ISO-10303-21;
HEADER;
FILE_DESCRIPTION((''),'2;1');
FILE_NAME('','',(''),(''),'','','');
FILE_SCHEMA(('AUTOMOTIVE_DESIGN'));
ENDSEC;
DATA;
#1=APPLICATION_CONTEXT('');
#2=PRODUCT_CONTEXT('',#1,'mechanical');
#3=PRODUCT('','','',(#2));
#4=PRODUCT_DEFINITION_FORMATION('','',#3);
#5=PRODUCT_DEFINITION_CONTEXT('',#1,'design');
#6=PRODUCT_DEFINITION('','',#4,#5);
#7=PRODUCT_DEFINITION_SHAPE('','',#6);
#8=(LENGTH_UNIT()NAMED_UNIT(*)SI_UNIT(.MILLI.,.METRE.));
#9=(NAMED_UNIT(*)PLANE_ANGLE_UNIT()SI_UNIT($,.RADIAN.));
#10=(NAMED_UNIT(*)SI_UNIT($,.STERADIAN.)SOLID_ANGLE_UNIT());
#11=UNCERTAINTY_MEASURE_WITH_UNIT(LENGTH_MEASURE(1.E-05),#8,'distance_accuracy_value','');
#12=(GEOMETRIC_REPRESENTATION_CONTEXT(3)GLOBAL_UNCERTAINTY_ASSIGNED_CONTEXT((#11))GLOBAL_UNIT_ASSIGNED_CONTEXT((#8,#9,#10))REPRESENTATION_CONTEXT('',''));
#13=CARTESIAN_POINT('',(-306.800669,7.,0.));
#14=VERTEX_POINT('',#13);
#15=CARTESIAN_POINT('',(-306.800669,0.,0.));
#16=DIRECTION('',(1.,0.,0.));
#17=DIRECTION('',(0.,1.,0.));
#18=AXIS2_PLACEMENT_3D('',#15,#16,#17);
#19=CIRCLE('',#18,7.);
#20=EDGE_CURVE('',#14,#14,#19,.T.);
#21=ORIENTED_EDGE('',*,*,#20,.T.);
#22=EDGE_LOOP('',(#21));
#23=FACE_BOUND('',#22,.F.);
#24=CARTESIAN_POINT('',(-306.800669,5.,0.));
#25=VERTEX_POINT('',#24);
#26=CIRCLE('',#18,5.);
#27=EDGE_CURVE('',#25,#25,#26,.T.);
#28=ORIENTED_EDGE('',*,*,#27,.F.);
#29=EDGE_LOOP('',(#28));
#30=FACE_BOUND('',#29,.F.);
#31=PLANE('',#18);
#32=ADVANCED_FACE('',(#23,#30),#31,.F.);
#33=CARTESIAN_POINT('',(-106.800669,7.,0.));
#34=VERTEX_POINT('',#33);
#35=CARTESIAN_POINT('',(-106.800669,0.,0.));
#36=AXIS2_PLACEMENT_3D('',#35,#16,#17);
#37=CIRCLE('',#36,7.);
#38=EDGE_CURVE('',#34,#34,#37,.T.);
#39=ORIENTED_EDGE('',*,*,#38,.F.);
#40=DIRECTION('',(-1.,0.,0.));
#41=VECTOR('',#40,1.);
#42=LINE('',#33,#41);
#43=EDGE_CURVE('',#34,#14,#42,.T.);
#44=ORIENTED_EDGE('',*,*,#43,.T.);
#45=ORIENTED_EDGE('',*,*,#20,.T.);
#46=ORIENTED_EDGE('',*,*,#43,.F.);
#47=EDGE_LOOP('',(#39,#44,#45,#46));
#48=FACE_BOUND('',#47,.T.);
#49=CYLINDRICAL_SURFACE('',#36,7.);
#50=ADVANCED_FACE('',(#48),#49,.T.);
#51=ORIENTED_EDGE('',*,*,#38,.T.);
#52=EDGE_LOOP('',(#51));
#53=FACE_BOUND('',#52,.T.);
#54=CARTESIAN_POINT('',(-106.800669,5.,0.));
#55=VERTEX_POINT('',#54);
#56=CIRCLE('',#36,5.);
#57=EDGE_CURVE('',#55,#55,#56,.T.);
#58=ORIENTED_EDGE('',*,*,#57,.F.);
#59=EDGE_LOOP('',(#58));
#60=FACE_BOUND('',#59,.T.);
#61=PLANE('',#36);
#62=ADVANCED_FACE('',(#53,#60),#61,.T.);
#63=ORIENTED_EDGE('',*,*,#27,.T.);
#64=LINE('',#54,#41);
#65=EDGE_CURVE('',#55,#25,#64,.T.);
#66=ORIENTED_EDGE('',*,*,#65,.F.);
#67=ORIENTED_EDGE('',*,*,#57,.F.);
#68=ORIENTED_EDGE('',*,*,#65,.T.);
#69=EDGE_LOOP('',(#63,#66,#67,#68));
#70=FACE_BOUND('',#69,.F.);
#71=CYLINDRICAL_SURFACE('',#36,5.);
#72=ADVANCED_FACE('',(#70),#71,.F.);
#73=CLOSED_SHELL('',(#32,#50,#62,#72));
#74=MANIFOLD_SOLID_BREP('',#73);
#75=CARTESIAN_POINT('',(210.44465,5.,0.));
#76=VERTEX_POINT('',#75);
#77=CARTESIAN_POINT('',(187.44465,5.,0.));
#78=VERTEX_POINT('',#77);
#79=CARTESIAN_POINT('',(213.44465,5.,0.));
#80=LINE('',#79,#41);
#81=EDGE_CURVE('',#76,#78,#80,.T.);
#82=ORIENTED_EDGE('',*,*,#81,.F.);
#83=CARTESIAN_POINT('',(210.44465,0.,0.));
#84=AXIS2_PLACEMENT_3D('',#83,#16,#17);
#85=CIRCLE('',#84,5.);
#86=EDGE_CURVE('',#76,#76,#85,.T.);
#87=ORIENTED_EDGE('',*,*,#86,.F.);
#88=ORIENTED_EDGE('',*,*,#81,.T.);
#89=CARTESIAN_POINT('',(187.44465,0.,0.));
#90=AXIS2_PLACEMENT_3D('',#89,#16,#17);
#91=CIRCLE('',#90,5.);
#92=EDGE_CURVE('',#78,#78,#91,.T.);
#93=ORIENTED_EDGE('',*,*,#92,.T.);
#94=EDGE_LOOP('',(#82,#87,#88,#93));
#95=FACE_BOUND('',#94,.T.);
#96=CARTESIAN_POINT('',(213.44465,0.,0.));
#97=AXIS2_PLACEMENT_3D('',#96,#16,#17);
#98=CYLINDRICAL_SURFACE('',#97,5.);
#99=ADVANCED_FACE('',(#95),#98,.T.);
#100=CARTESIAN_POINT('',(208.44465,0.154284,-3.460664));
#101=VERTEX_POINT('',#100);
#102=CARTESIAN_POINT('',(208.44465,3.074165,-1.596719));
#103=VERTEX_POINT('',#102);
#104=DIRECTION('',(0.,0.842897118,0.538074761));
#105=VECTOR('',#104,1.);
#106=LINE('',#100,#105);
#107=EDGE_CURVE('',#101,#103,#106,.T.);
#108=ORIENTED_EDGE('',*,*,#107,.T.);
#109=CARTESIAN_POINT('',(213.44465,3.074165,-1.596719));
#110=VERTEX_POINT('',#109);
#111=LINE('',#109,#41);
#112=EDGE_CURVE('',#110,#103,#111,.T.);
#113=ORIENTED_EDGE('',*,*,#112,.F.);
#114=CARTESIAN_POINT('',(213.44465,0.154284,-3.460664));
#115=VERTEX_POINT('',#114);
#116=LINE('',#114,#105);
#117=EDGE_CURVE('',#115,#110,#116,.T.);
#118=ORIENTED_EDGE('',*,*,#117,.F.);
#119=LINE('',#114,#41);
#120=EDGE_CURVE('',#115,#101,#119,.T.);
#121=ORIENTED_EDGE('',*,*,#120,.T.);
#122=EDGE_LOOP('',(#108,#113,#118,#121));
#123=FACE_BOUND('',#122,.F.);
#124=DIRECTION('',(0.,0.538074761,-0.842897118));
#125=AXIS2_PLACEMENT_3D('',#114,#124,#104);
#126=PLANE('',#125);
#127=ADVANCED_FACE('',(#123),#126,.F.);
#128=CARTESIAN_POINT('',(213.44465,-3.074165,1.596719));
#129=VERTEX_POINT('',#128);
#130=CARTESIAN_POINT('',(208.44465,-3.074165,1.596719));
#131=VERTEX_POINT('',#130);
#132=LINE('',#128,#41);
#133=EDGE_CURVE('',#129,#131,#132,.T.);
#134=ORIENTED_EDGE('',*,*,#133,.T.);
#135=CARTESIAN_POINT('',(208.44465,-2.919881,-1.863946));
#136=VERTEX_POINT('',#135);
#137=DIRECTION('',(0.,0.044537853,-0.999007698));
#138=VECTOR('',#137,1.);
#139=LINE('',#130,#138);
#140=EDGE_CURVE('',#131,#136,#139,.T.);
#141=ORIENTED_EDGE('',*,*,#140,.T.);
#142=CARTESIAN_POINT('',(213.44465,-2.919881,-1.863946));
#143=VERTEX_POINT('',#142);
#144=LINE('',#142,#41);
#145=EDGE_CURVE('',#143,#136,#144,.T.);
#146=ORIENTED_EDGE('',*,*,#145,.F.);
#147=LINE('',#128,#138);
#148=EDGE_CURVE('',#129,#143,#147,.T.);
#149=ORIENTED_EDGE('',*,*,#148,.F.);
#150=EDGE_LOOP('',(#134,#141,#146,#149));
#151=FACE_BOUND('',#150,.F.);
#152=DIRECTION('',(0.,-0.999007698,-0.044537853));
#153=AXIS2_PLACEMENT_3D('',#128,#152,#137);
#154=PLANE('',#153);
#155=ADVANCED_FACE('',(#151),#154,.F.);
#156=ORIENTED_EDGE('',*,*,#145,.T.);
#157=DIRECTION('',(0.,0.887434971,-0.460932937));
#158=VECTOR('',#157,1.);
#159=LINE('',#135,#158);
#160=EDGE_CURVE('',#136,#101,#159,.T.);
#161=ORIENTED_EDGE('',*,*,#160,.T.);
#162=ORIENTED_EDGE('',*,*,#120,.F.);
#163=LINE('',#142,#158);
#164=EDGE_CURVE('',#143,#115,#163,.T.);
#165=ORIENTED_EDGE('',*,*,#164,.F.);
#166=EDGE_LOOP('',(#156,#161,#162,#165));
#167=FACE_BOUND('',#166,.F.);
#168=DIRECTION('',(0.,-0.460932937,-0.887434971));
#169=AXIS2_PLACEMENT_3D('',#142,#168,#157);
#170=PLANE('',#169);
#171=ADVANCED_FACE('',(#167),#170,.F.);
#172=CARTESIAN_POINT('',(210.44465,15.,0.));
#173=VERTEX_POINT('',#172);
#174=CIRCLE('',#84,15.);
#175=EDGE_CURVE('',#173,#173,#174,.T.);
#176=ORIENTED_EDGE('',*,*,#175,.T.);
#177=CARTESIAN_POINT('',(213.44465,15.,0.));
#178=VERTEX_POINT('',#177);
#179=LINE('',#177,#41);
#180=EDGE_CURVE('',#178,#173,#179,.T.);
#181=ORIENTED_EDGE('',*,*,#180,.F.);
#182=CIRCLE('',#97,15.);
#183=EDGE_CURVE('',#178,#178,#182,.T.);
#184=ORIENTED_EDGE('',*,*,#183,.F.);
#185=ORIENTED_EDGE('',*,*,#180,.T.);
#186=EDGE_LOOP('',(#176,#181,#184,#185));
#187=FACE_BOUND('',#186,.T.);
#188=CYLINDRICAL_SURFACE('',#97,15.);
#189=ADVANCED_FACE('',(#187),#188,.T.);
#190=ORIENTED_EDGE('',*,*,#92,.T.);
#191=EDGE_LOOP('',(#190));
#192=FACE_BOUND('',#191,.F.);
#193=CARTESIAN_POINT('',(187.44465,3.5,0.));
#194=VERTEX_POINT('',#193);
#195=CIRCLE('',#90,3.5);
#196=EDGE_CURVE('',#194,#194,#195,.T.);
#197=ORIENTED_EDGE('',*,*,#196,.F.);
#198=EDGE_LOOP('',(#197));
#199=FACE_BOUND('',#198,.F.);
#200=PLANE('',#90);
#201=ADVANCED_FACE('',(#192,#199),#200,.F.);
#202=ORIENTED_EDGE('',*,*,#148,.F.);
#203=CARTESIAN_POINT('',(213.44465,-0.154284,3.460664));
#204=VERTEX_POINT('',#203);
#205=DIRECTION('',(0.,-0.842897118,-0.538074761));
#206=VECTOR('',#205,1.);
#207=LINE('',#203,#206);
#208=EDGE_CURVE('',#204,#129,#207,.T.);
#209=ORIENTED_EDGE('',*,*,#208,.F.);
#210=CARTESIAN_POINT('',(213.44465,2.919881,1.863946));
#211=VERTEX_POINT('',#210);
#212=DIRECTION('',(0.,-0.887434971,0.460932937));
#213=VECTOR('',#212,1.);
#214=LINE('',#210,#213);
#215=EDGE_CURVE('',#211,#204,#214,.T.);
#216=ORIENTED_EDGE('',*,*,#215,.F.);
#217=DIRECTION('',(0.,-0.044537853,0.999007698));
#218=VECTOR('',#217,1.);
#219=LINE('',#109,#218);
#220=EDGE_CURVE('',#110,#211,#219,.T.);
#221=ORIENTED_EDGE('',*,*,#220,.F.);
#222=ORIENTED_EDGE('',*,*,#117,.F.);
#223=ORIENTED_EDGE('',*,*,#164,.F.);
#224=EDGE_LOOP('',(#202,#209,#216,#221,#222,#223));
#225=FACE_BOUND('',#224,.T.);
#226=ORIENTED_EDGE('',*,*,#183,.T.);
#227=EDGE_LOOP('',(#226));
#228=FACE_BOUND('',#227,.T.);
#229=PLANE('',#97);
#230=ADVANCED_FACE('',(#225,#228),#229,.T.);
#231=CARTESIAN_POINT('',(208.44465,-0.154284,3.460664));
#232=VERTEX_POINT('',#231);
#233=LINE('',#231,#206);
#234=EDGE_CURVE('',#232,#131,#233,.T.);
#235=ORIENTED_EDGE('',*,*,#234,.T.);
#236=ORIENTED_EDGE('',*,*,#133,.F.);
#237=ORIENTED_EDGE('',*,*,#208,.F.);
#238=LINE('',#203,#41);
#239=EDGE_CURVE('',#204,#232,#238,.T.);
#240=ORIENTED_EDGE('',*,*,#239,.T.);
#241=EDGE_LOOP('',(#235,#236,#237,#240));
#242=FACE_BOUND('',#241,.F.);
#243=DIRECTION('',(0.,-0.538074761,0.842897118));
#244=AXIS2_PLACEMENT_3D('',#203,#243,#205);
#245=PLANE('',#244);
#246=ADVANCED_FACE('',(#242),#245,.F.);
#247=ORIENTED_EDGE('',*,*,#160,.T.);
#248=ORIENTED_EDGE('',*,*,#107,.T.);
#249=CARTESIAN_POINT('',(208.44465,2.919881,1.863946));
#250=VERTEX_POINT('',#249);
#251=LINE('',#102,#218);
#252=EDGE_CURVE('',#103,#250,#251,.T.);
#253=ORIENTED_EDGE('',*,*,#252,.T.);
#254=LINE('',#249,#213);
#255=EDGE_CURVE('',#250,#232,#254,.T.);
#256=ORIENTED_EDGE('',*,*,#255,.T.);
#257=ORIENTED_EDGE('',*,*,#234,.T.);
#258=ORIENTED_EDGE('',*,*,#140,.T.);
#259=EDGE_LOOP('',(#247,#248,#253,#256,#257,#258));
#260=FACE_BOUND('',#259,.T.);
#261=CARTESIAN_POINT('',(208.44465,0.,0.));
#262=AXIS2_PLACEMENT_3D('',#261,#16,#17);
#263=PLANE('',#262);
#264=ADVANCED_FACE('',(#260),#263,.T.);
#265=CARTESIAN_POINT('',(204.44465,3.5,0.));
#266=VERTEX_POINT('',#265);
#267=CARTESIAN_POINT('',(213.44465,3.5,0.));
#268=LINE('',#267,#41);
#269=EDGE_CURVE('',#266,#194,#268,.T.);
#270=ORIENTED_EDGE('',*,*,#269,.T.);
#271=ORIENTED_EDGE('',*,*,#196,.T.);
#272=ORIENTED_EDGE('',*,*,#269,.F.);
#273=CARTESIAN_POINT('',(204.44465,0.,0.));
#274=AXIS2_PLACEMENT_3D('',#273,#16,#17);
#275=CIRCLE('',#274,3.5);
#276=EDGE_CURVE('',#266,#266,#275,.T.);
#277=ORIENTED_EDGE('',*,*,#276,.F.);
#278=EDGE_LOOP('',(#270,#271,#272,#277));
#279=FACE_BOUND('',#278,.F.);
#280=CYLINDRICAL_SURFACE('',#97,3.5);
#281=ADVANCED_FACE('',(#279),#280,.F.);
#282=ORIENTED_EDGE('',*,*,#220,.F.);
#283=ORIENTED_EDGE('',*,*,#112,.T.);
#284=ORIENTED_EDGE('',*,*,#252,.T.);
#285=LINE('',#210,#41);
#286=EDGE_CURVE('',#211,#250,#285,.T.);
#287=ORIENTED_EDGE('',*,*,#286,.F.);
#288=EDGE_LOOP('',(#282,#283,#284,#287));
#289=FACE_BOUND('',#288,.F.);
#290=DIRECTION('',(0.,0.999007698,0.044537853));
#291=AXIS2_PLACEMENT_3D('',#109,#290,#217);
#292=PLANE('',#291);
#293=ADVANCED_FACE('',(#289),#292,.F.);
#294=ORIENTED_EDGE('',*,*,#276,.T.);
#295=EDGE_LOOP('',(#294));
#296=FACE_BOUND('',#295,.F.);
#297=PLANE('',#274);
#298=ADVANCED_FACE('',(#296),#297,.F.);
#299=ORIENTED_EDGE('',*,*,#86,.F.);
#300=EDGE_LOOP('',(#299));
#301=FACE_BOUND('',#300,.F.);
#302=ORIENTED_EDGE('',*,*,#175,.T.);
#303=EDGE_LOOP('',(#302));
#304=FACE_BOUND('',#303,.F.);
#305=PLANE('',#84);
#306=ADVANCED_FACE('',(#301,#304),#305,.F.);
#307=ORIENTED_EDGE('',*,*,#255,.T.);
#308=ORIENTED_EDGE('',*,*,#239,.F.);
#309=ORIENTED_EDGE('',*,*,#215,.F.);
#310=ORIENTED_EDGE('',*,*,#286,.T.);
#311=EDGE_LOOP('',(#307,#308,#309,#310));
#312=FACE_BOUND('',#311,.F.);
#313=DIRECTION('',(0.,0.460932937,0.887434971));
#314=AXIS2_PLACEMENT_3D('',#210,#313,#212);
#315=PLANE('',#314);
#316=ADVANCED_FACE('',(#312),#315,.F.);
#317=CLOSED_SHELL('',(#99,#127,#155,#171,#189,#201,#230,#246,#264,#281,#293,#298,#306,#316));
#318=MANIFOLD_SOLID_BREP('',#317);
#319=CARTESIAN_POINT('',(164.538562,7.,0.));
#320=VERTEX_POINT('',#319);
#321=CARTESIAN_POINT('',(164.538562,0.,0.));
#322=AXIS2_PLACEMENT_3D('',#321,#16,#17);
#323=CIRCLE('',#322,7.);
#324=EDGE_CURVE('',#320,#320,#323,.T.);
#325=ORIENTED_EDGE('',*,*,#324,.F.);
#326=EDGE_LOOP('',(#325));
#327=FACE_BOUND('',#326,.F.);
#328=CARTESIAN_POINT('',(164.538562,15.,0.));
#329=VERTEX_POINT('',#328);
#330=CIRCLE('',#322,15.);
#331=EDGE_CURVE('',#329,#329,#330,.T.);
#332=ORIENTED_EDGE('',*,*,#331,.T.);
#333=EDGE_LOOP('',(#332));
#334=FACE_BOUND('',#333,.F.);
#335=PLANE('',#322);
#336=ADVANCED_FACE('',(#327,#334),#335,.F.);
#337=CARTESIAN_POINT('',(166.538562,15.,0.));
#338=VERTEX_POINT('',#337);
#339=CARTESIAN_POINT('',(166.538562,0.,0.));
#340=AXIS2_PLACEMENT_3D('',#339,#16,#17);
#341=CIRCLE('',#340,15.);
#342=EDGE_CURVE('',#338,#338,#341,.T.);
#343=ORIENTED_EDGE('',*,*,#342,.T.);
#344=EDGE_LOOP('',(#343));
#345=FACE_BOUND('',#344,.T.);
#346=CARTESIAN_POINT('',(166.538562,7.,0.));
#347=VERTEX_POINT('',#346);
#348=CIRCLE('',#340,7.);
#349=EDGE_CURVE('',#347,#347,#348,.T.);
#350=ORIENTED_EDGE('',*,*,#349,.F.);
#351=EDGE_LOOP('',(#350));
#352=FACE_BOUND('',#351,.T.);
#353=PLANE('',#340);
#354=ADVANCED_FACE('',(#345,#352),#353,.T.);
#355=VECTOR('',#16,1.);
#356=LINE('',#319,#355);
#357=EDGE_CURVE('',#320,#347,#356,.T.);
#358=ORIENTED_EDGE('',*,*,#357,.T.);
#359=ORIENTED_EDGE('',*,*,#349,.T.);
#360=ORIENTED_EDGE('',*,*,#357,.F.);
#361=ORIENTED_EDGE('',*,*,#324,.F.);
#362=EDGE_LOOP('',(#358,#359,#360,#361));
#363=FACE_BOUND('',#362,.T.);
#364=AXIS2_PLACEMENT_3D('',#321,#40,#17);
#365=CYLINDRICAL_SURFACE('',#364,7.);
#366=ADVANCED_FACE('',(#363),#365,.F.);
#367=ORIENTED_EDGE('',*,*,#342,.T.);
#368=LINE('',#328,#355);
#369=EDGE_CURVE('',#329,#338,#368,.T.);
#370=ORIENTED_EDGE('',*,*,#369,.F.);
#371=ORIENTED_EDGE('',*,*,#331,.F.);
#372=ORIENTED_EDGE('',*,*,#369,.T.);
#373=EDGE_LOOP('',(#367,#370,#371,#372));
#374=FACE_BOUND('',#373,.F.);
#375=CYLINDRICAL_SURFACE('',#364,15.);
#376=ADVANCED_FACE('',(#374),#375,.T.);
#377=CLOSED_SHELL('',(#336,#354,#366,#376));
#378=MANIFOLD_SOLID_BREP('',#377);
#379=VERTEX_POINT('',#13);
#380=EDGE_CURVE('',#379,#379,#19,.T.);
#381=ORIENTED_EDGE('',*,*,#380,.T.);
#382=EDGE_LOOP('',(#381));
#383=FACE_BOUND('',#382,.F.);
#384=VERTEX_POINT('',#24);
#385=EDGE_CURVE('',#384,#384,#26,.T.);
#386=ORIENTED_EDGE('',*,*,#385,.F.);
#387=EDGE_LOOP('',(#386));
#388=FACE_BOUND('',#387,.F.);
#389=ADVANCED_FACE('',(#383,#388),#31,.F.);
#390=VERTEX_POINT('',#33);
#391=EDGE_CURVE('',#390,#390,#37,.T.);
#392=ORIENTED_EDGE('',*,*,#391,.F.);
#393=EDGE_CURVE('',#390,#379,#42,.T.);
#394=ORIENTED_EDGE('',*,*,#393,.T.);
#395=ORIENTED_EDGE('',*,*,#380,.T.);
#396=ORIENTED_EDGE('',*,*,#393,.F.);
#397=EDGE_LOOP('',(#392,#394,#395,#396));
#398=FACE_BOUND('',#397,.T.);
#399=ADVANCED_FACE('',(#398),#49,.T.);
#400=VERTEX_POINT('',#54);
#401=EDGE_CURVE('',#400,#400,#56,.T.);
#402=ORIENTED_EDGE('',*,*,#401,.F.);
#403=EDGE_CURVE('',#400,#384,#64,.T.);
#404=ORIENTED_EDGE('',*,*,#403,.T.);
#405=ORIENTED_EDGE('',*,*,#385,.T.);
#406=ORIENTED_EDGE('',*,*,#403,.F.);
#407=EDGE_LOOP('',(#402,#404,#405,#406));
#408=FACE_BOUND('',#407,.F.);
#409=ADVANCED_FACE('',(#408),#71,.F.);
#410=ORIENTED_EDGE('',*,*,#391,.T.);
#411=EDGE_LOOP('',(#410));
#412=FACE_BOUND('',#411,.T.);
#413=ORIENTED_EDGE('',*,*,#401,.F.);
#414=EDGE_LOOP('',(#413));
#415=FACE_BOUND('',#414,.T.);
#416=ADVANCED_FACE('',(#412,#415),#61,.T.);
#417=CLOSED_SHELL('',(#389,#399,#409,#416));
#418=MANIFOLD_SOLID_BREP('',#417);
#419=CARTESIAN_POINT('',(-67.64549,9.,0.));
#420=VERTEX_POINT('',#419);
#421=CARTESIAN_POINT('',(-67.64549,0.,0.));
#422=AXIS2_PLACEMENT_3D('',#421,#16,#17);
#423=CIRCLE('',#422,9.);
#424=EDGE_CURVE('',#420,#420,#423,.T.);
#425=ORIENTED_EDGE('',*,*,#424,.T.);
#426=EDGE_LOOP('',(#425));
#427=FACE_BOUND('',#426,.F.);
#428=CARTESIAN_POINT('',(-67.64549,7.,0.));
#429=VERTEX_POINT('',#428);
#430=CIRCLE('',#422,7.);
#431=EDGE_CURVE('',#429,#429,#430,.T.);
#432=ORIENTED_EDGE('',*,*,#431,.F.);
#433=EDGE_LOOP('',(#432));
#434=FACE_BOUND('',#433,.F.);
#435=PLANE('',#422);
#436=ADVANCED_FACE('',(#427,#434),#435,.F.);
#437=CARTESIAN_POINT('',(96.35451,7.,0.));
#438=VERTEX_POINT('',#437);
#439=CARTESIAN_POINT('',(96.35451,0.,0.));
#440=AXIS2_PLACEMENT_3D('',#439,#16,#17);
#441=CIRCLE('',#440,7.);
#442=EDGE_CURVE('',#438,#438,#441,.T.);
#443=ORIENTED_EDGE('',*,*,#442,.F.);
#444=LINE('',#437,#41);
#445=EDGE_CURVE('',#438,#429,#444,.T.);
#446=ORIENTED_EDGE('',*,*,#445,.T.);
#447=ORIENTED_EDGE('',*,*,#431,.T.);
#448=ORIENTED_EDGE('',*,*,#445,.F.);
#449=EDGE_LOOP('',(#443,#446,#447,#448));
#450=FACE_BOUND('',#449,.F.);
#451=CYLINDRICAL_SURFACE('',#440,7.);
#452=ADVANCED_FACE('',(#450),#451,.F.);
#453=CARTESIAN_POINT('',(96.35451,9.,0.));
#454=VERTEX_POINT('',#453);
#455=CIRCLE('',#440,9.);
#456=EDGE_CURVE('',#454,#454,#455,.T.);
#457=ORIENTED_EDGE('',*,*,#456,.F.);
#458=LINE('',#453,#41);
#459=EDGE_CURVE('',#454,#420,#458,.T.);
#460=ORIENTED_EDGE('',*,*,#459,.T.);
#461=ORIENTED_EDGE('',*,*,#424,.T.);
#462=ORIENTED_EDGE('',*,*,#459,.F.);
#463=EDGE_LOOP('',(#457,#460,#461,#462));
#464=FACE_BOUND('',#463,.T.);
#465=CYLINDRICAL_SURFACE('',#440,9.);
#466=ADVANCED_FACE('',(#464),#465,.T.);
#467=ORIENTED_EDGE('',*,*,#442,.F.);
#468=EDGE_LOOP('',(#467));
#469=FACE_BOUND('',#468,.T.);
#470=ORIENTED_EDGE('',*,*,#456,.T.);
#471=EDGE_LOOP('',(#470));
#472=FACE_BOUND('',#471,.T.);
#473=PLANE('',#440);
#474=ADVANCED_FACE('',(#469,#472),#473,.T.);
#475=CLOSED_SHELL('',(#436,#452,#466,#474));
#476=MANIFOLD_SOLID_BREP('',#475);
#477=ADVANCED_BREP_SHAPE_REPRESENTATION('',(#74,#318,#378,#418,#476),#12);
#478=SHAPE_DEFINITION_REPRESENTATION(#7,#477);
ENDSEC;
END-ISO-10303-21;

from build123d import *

# Parameters (mm, degrees)
F2_R      = 7
F2_R_2    = 5
F3_DEPTH  = 200
F9_DEPTH  = 200
F7_R      = 9
F7_R_2    = 7
F10_DEPTH = 164
F8_R      = 5
F8_R_2    = 3.5
F11_DEPTH = 26
F8_R_3    = 15
F12_DEPTH = 3
F13_DEPTH = 9
F14_DEPTH = 5
F15_R     = 15
F15_R_2   = 7
F16_DEPTH = 2


with BuildPart() as f3:
    # F2 (on plane+point) → F3 (new body, through all)
    with BuildSketch(Plane.YZ.offset(-106.8006694317)):
        Circle(F2_R)
        Circle(F2_R_2, mode=Mode.SUBTRACT)
    extrude(amount=-F3_DEPTH)


with BuildPart() as f9:
    # F2 (on plane+point) → F9 (new body, through all)
    with BuildSketch(Plane.YZ.offset(-106.8006694317)):
        Circle(F2_R)
        Circle(F2_R_2, mode=Mode.SUBTRACT)
    extrude(amount=-F9_DEPTH)


with BuildPart() as f10:
    # F7 (on plane+point) → F10 (new body, through all)
    with BuildSketch(Plane.YZ.offset(96.3545098305)):
        Circle(F7_R)
        Circle(F7_R_2, mode=Mode.SUBTRACT)
    extrude(amount=-F10_DEPTH)


with BuildPart() as f11:
    # F8 (on plane+point) → F11 (new body)
    with BuildSketch(Plane.YZ.offset(213.4446501732)):
        Circle(F8_R)
        Circle(F8_R_2, mode=Mode.SUBTRACT)
    extrude(amount=-F11_DEPTH)

    # F8 (on plane+point) → F12 (join)
    with BuildSketch(Plane.YZ.offset(213.4446501732)):
        Circle(F8_R_3)
        Circle(F8_R, mode=Mode.SUBTRACT)
    extrude(amount=-F12_DEPTH)

    # F8 (on plane+point) → F13 (join)
    with BuildSketch(Plane.YZ.offset(213.4446501732)):
        Circle(F8_R_2)
        Polygon((2.9198812688, 1.8639456473), (3.0741649162, -1.5967185312), (0.1542836474, -3.4606641785), (-2.9198812688, -1.8639456473), (-3.0741649162, 1.5967185312), (-0.1542836474, 3.4606641785), align=None, mode=Mode.SUBTRACT)
        Polygon((0.1542836474, -3.4606641785), (3.0741649162, -1.5967185312), (2.9198812688, 1.8639456473), (-0.1542836474, 3.4606641785), (-3.0741649162, 1.5967185312), (-2.9198812688, -1.8639456473), align=None)
    extrude(amount=-F13_DEPTH)

    # F8 (on plane+point) → F14 (cut)
    with BuildSketch(Plane.YZ.offset(213.4446501732)):
        Polygon((0.1542836474, -3.4606641785), (3.0741649162, -1.5967185312), (2.9198812688, 1.8639456473), (-0.1542836474, 3.4606641785), (-3.0741649162, 1.5967185312), (-2.9198812688, -1.8639456473), align=None)
    extrude(amount=-F14_DEPTH, mode=Mode.SUBTRACT)


with BuildPart() as f16:
    # F15 (on plane+point) → F16 (new body)
    with BuildSketch(Plane.YZ.offset(164.5385622978)):
        Circle(F15_R)
        Circle(F15_R_2, mode=Mode.SUBTRACT)
    extrude(amount=F16_DEPTH)


solid = Compound([f3.part, f9.part, f10.part, f11.part, f16.part])
